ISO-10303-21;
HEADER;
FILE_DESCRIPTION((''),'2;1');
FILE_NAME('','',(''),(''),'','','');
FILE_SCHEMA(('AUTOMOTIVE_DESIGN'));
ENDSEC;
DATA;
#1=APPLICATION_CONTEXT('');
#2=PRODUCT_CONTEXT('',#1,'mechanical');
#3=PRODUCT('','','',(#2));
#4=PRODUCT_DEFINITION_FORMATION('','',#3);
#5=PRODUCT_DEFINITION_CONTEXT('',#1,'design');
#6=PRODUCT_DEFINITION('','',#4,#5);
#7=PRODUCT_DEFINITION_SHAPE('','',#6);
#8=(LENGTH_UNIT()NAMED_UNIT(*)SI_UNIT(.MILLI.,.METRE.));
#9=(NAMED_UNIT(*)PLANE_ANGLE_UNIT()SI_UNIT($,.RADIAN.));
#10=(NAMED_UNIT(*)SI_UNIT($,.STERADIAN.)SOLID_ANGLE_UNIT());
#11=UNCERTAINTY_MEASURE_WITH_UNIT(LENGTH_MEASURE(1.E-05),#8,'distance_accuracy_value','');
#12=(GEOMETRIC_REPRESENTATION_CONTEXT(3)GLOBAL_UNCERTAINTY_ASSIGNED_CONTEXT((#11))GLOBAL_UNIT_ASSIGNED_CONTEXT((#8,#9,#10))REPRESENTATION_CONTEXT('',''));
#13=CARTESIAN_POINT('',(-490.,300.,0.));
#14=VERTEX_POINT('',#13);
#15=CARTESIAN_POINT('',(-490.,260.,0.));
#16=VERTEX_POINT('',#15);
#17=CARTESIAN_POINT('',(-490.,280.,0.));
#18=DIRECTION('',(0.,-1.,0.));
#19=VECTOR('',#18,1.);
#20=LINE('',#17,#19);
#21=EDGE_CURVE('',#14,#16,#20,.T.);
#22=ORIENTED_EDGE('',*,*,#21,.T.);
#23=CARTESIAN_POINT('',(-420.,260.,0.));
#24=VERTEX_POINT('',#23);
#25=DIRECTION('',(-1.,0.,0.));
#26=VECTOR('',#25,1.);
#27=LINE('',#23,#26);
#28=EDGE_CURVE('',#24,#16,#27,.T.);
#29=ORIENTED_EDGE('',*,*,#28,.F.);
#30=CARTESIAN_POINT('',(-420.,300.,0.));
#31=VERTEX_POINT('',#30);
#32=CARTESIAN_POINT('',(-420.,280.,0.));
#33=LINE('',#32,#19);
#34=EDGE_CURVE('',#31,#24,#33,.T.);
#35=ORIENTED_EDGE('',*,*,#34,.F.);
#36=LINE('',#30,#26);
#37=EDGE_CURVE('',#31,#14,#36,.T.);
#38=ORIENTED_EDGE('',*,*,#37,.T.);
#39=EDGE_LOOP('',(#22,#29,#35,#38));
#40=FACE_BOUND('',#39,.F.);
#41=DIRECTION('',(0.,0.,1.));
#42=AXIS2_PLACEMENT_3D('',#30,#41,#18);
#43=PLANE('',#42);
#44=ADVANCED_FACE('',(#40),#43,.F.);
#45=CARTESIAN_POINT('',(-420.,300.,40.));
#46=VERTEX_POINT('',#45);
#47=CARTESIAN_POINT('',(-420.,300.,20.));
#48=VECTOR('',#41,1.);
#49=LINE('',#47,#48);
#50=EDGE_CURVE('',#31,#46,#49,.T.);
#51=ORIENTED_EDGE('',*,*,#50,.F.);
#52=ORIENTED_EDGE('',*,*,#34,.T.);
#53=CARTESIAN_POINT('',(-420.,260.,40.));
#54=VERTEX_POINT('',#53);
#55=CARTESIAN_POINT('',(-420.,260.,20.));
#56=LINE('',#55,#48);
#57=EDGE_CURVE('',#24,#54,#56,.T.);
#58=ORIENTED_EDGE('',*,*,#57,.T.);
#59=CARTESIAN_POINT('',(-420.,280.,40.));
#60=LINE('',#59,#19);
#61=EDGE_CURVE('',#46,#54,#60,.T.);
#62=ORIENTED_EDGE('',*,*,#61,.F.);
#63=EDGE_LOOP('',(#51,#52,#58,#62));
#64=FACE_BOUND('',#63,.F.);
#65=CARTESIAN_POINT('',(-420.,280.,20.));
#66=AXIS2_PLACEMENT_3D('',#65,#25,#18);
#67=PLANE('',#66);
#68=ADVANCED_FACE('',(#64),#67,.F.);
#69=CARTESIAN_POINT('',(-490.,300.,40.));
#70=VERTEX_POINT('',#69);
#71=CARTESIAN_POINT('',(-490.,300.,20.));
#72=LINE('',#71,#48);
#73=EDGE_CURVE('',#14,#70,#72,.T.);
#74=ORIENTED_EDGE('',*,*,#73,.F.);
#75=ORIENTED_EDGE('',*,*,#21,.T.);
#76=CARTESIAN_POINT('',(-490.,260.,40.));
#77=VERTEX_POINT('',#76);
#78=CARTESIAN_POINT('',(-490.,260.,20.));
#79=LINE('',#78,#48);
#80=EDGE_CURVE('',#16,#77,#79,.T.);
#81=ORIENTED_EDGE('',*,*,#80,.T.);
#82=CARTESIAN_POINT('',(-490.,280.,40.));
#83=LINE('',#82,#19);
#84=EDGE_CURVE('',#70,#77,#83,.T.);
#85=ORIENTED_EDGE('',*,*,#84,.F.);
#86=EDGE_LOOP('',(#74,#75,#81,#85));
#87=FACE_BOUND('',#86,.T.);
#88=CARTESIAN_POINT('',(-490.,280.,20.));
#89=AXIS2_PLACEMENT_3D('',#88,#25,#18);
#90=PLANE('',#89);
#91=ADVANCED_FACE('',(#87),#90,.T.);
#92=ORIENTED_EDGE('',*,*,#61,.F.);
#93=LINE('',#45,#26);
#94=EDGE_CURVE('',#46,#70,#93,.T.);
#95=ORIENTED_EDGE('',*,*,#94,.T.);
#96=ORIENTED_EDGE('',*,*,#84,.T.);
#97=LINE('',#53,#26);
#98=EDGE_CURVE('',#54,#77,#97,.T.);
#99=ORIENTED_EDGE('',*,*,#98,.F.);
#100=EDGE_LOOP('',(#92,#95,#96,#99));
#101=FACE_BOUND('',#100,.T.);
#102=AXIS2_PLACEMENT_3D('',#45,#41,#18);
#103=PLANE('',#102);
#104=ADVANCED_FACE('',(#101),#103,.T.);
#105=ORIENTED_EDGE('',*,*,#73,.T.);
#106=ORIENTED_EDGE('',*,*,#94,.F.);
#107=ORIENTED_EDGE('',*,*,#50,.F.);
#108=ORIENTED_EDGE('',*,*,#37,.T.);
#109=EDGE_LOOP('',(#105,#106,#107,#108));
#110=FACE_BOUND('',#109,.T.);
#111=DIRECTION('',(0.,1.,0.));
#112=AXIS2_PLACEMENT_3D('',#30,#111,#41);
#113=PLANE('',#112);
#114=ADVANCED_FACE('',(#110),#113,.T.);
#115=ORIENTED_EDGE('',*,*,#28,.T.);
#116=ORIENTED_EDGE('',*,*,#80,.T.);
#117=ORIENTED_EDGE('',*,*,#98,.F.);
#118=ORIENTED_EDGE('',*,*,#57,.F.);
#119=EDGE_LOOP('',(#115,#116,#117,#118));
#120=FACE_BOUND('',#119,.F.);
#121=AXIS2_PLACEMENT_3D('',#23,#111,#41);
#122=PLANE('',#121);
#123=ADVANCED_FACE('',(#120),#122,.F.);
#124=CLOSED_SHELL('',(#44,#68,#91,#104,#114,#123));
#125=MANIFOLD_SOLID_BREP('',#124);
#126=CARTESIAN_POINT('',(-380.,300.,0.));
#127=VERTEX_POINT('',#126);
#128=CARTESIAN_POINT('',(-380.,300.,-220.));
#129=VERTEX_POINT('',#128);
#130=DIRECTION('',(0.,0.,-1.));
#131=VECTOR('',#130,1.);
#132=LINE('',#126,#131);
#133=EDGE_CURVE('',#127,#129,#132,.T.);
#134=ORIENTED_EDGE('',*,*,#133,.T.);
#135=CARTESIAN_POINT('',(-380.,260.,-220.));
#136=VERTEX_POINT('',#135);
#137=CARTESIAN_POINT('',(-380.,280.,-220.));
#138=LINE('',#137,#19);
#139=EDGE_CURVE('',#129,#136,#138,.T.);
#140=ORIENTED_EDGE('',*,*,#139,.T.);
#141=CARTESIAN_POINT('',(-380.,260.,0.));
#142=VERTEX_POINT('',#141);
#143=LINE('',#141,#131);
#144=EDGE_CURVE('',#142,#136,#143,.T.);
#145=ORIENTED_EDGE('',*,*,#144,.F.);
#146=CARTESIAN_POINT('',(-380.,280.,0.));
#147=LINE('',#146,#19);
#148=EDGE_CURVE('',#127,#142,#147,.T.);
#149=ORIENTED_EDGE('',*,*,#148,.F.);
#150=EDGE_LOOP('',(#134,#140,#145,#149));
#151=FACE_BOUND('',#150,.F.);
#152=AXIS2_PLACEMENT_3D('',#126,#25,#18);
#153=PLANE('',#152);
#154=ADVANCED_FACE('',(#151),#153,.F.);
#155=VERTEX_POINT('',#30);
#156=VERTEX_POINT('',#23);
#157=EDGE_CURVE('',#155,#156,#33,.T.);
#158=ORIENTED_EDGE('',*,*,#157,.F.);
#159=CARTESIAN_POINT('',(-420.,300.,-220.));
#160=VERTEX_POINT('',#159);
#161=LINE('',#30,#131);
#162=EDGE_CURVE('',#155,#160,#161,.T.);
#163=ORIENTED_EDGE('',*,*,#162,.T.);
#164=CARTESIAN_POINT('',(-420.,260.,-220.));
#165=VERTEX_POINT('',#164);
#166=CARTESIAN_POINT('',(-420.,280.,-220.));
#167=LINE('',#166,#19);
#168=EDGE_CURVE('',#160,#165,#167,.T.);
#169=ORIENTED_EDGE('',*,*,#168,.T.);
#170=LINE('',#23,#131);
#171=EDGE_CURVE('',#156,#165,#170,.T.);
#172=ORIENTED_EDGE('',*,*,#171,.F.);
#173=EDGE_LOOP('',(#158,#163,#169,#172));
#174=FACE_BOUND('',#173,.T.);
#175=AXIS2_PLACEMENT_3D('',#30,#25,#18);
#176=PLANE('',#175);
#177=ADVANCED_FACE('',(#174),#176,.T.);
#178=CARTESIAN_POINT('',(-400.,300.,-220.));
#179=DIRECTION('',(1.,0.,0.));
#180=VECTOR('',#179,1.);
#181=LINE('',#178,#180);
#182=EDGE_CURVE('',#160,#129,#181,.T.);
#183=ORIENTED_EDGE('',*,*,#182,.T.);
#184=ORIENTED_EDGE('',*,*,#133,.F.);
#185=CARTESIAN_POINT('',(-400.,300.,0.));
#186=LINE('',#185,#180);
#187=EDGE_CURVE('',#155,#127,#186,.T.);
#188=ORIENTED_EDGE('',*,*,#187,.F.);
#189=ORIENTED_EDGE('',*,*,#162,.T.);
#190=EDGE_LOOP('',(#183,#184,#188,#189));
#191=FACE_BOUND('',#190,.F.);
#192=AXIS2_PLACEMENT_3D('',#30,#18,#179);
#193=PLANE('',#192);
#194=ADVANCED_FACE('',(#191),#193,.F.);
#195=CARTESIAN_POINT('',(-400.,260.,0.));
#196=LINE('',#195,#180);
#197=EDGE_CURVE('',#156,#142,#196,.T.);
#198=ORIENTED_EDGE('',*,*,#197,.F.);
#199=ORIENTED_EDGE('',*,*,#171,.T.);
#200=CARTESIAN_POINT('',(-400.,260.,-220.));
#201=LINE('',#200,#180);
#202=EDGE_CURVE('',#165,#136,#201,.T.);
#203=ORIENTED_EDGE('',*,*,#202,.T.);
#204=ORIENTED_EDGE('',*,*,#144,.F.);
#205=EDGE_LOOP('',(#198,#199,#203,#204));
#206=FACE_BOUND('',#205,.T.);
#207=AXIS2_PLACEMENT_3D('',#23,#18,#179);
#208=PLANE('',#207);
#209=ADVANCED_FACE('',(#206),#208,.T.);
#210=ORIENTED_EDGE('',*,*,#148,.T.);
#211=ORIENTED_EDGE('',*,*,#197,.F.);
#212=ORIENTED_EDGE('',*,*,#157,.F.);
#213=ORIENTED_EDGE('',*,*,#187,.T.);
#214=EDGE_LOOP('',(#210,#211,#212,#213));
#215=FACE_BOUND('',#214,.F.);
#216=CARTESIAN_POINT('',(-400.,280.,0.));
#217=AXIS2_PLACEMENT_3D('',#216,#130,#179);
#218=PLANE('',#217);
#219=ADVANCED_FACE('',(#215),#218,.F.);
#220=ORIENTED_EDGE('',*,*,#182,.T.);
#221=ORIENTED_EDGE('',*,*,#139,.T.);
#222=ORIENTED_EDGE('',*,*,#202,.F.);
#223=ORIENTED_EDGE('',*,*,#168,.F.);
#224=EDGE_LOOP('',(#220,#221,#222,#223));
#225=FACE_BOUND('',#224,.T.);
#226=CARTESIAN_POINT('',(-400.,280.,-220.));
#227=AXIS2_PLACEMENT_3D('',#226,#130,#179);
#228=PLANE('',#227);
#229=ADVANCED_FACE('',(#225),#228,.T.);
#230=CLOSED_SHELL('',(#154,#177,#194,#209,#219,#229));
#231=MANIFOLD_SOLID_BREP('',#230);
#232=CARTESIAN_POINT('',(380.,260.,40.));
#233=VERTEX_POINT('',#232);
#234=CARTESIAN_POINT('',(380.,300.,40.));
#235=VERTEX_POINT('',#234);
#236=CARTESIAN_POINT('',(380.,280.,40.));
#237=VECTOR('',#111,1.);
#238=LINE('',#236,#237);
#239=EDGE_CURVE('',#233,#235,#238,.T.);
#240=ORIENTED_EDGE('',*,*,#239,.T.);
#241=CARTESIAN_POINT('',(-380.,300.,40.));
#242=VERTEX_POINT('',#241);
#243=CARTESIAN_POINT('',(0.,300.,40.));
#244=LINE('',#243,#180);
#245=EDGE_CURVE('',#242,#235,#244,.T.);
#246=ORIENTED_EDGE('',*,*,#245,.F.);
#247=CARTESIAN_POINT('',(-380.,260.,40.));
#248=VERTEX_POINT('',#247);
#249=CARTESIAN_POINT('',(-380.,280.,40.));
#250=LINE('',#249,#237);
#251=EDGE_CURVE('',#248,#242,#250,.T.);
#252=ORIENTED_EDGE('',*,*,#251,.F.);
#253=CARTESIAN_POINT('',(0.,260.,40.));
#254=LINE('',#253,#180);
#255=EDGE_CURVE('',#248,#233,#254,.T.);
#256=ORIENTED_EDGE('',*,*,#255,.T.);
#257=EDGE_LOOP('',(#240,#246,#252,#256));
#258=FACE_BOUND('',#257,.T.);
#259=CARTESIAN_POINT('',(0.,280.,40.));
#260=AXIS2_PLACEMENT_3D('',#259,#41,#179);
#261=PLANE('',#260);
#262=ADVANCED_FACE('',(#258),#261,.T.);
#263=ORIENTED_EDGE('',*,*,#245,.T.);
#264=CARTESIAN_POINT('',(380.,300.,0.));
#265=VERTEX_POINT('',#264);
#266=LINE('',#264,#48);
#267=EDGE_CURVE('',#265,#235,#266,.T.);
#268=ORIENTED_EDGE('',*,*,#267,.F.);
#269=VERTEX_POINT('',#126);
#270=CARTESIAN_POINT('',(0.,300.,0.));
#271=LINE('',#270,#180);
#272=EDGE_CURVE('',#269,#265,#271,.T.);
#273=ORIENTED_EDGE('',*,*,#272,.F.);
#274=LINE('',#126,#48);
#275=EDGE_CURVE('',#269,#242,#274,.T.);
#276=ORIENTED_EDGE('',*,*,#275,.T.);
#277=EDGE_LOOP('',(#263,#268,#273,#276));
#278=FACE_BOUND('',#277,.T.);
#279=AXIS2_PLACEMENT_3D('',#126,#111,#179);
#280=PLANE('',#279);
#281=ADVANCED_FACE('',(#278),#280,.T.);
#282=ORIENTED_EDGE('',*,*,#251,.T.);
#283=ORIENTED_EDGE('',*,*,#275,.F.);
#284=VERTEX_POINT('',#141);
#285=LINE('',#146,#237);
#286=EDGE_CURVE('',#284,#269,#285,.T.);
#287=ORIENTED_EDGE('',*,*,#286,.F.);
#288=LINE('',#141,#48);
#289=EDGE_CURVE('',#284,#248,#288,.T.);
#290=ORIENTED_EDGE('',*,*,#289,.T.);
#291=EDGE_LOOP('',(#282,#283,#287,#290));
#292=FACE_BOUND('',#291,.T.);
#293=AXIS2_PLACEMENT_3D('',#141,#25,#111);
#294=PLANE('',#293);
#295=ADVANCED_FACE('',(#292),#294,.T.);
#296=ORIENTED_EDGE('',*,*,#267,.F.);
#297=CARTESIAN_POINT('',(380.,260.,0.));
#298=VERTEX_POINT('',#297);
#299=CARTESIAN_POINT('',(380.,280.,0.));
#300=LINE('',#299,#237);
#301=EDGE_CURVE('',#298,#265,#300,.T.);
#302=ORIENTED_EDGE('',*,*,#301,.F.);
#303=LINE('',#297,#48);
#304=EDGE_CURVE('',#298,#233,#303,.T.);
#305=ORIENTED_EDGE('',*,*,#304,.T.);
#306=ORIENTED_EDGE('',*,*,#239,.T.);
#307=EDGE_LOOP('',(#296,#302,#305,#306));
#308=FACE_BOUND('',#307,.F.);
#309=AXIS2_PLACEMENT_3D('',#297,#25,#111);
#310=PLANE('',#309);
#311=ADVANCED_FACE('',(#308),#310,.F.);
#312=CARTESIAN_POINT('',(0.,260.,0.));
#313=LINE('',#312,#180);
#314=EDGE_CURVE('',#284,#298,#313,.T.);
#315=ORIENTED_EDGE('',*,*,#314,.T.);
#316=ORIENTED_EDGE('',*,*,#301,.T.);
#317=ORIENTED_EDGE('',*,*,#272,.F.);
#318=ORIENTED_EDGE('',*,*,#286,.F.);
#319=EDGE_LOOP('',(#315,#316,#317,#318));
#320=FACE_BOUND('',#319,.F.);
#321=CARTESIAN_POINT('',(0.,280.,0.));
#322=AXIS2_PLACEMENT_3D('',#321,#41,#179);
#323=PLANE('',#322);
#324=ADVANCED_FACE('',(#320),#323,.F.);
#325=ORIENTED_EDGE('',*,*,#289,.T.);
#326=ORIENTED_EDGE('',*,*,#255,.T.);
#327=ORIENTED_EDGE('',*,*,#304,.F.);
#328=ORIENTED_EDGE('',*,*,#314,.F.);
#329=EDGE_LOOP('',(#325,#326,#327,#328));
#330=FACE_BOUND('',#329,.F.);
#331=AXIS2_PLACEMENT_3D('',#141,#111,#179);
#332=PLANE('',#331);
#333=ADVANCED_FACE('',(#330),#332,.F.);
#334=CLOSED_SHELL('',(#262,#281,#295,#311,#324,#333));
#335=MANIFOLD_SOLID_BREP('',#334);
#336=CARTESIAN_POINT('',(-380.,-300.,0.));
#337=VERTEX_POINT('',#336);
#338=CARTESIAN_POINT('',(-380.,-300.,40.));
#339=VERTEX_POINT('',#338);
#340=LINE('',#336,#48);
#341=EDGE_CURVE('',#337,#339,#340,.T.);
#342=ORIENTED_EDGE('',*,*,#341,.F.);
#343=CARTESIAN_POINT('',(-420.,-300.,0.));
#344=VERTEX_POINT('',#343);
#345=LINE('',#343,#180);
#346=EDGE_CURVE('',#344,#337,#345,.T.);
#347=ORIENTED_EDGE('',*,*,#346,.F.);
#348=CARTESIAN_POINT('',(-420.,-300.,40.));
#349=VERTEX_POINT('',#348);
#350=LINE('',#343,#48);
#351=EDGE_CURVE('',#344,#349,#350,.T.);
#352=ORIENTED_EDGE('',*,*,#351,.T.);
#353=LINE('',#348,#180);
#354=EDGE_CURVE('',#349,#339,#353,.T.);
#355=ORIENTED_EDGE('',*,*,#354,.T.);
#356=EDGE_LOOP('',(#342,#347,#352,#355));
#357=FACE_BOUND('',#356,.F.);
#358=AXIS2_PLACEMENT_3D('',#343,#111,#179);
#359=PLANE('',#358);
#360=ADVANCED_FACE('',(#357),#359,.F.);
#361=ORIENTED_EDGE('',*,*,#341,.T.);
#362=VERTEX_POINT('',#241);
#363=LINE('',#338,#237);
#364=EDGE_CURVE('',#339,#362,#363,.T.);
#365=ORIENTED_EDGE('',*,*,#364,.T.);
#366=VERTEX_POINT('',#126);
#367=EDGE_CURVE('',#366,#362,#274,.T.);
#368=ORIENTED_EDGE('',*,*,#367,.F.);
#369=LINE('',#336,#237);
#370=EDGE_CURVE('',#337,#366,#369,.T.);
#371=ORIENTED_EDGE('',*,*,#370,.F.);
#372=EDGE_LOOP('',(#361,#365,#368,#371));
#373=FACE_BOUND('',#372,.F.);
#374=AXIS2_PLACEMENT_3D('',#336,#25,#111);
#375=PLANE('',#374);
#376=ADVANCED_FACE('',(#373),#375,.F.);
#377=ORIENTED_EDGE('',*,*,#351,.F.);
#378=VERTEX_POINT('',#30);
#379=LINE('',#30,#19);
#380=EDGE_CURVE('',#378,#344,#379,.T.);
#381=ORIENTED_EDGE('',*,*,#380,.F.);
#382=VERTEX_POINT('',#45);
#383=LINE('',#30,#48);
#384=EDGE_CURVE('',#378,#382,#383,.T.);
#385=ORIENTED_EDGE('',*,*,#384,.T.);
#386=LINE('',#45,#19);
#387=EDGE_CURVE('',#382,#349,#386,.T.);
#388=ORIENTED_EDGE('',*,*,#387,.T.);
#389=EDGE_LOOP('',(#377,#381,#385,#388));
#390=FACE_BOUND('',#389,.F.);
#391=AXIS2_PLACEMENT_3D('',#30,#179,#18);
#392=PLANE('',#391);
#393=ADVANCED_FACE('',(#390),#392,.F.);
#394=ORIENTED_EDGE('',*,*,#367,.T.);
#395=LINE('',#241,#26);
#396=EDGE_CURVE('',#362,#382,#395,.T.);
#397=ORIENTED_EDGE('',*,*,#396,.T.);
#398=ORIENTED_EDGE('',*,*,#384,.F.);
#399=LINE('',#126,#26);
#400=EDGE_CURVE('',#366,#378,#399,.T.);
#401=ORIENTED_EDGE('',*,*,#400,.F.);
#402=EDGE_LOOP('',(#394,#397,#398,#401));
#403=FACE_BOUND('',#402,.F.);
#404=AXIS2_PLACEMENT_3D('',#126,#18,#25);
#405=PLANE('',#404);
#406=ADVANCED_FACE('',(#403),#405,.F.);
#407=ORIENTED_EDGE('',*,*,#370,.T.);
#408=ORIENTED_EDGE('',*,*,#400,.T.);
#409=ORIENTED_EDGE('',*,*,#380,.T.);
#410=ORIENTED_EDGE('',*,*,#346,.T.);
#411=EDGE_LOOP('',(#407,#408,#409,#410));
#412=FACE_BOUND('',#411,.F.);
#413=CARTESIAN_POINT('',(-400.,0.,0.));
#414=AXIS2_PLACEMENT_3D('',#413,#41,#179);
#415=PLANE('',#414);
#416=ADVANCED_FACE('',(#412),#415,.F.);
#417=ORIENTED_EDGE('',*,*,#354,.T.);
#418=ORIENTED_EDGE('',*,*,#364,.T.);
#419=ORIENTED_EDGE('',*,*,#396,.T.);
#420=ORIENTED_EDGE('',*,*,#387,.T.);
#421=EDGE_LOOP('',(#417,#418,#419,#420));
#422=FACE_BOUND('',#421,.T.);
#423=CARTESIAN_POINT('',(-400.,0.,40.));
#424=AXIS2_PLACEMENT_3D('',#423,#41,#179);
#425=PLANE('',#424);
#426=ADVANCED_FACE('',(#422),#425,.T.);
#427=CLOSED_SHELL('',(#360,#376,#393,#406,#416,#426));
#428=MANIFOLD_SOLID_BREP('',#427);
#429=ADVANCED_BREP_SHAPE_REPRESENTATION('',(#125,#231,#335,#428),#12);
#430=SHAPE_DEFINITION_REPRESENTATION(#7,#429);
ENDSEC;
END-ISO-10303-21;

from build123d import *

# Parameters (mm, degrees)
F1_DEPTH = 40
F0_W     = 760
F0_H     = 40
F2_DEPTH = 40
F3_W     = 40
F3_H     = 40
F4_DEPTH = 220
F5_W     = 40
F5_H     = 40
F6_DEPTH = 70


with BuildPart() as f1:
    # F0 (on Top) → F1 (new body)
    with BuildSketch(Plane.XY):
        Polygon((-380, -260), (-380, 260), (-380, 300), (-420, 300), (-420, -300), (-380, -300), align=None)
    extrude(amount=F1_DEPTH)


with BuildPart() as f2:
    # F0 (on Top) → F2 (new body, through all)
    with BuildSketch(Plane.XY):
        with Locations((0, 280)):
            Rectangle(F0_W, F0_H)
    extrude(amount=F2_DEPTH)


with BuildPart() as f4:
    # F3 (on face) → F4 (new body)
    with BuildSketch(Plane(origin=(0, 0, 0), x_dir=(1, 0, 0), z_dir=(0, 0, -1))):
        with Locations((-400, -280)):
            Rectangle(F3_W, F3_H)
    extrude(amount=F4_DEPTH)


with BuildPart() as f6:
    # F5 (on face) → F6 (new body)
    with BuildSketch(Plane(origin=(-420, 0, 0), x_dir=(0, -1, 0), z_dir=(-1, 0, 0))):
        with Locations((-280, 20)):
            Rectangle(F5_W, F5_H)
    extrude(amount=F6_DEPTH)


solid = Compound([f1.part, f2.part, f4.part, f6.part])
